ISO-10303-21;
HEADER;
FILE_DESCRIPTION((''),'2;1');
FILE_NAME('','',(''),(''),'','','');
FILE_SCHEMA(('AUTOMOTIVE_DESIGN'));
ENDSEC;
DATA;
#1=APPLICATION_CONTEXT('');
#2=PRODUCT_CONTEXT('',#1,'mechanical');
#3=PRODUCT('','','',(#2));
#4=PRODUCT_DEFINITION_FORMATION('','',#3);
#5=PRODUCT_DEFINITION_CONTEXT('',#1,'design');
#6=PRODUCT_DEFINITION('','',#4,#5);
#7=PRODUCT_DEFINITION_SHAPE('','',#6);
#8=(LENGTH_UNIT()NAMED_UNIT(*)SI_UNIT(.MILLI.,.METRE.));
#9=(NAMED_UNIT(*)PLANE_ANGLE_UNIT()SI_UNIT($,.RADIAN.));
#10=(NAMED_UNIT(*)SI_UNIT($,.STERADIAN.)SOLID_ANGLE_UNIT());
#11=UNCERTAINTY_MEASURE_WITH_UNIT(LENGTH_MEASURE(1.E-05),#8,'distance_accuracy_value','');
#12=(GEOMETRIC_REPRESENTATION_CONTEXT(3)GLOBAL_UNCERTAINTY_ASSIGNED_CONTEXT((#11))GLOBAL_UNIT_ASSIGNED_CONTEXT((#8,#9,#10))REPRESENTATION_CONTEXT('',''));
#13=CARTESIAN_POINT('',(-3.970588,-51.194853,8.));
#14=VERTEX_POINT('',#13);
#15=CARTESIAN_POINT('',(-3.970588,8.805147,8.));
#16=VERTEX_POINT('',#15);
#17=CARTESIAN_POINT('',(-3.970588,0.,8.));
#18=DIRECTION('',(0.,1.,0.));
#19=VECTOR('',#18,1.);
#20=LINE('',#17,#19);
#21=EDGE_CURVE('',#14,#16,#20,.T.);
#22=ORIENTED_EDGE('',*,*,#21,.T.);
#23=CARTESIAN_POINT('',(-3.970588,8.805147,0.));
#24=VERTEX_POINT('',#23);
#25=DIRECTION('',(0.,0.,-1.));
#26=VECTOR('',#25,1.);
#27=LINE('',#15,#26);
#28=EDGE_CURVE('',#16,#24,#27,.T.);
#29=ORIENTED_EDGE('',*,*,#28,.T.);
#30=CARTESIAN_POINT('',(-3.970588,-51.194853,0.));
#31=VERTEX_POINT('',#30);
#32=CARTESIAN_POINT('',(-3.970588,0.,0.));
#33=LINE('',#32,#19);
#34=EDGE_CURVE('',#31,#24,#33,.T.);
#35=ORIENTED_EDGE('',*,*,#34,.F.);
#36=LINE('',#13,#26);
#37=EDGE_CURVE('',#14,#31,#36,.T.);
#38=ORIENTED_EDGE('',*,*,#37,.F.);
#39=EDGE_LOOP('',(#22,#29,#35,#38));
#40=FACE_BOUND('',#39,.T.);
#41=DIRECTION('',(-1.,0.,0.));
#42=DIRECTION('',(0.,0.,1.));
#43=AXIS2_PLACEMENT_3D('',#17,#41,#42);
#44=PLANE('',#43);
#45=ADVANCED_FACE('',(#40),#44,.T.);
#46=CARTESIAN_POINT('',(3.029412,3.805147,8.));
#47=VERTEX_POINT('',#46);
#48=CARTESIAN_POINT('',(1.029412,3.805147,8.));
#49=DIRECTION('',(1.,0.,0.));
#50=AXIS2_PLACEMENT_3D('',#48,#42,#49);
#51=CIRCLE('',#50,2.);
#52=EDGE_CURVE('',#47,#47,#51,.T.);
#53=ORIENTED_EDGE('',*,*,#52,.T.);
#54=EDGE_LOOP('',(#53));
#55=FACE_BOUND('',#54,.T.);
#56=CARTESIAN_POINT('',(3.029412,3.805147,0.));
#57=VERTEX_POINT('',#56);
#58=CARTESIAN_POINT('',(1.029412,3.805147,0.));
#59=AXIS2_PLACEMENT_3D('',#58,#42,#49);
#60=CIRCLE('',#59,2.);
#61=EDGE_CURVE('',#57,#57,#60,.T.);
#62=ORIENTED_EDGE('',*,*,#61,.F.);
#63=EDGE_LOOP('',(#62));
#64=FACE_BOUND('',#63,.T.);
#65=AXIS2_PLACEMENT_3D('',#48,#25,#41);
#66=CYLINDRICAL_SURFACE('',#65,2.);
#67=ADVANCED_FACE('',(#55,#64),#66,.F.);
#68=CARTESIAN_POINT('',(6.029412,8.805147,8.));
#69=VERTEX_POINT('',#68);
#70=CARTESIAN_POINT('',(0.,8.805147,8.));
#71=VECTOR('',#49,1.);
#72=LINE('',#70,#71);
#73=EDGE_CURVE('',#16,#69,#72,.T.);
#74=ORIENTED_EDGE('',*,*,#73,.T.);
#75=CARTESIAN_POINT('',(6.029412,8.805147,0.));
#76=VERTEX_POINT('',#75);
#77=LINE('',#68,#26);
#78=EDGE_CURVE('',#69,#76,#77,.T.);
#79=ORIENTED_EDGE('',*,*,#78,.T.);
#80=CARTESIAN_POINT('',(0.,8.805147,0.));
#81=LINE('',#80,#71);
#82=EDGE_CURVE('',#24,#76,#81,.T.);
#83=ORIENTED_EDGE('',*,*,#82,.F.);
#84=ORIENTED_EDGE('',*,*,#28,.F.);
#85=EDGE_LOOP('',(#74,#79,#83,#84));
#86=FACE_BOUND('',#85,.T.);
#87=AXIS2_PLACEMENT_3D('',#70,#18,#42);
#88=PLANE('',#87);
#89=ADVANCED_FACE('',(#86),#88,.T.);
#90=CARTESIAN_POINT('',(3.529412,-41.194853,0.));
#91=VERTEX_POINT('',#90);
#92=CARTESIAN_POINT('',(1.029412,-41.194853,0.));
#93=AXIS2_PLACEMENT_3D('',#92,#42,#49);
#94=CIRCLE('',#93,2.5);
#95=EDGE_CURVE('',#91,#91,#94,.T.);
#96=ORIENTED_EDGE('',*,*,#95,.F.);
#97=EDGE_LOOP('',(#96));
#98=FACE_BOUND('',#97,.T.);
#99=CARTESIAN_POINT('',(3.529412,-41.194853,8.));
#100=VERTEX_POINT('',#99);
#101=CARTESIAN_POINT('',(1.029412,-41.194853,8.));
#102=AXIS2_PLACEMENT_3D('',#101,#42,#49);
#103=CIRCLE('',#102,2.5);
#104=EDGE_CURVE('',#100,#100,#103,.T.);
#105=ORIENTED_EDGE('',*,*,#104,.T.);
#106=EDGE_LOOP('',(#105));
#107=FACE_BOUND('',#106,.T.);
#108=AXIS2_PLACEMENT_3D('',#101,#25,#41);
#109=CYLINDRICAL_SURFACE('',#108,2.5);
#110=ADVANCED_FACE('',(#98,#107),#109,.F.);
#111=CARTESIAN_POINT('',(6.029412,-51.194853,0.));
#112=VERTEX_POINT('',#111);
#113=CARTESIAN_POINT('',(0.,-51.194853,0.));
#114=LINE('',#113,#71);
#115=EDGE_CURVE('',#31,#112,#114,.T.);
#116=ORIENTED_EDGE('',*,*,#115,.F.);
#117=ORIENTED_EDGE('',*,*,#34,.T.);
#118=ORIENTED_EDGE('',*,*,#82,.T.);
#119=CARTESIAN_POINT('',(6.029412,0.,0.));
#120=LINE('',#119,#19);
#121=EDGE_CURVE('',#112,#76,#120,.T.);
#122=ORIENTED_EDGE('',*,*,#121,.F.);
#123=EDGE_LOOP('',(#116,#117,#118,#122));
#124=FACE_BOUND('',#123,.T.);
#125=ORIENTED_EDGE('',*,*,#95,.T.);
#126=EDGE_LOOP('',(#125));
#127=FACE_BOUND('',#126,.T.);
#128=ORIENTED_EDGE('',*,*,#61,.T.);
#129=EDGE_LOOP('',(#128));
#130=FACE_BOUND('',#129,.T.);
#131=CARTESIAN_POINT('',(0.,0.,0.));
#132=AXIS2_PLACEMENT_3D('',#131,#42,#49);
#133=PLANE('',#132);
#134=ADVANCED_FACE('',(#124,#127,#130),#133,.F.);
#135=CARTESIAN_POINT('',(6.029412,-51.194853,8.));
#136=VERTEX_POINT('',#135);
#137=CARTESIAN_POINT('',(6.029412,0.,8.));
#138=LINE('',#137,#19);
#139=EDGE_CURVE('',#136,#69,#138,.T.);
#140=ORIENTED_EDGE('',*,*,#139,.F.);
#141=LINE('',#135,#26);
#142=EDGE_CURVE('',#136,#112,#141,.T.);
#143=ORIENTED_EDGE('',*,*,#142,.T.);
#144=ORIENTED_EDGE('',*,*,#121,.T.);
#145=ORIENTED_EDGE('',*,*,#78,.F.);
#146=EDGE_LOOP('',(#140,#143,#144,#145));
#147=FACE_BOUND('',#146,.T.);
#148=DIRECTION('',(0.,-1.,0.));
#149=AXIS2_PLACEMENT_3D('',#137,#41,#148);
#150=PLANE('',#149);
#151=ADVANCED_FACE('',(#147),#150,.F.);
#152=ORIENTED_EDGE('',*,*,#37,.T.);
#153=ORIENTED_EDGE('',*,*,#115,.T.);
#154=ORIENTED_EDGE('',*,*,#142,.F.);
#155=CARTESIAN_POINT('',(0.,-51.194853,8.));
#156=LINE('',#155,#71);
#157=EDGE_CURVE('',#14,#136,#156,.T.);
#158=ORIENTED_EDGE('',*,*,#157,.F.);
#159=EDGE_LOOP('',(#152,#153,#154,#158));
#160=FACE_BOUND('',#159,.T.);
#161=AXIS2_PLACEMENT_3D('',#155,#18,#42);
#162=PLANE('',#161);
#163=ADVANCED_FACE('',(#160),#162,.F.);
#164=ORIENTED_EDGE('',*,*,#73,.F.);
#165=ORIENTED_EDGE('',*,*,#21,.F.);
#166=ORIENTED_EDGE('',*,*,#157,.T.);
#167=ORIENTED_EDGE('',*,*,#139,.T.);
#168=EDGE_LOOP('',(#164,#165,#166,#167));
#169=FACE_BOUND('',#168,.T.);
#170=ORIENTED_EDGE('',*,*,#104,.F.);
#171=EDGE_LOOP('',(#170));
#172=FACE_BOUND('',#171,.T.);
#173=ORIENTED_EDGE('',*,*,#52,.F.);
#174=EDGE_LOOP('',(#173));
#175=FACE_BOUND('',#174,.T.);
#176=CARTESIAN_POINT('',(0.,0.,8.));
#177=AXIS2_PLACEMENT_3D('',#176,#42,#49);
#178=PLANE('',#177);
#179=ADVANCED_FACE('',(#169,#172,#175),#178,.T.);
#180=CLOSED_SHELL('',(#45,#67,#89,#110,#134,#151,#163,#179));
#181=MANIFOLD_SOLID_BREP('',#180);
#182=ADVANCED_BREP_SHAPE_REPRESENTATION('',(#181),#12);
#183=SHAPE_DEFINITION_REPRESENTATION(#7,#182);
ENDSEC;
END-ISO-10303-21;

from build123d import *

# Parameters (mm, degrees)
SKETCH_1_W      = 10
SKETCH_1_H      = 60
SKETCH_1_R      = 2
SKETCH_1_R_2    = 2.5
EXTRUDE_1_DEPTH = 8


with BuildPart() as part:
    # 草图1 → 凸台-拉伸1 (new body)
    with BuildSketch(Plane.XY):
        with Locations((1.029411765, -21.194852941)):
            Rectangle(SKETCH_1_W, SKETCH_1_H)
        with Locations((1.029411765, 3.805147059)):
            Circle(SKETCH_1_R, mode=Mode.SUBTRACT)
        with Locations((1.029411765, -41.194852941)):
            Circle(SKETCH_1_R_2, mode=Mode.SUBTRACT)
    extrude(amount=EXTRUDE_1_DEPTH)


solid = part.part
